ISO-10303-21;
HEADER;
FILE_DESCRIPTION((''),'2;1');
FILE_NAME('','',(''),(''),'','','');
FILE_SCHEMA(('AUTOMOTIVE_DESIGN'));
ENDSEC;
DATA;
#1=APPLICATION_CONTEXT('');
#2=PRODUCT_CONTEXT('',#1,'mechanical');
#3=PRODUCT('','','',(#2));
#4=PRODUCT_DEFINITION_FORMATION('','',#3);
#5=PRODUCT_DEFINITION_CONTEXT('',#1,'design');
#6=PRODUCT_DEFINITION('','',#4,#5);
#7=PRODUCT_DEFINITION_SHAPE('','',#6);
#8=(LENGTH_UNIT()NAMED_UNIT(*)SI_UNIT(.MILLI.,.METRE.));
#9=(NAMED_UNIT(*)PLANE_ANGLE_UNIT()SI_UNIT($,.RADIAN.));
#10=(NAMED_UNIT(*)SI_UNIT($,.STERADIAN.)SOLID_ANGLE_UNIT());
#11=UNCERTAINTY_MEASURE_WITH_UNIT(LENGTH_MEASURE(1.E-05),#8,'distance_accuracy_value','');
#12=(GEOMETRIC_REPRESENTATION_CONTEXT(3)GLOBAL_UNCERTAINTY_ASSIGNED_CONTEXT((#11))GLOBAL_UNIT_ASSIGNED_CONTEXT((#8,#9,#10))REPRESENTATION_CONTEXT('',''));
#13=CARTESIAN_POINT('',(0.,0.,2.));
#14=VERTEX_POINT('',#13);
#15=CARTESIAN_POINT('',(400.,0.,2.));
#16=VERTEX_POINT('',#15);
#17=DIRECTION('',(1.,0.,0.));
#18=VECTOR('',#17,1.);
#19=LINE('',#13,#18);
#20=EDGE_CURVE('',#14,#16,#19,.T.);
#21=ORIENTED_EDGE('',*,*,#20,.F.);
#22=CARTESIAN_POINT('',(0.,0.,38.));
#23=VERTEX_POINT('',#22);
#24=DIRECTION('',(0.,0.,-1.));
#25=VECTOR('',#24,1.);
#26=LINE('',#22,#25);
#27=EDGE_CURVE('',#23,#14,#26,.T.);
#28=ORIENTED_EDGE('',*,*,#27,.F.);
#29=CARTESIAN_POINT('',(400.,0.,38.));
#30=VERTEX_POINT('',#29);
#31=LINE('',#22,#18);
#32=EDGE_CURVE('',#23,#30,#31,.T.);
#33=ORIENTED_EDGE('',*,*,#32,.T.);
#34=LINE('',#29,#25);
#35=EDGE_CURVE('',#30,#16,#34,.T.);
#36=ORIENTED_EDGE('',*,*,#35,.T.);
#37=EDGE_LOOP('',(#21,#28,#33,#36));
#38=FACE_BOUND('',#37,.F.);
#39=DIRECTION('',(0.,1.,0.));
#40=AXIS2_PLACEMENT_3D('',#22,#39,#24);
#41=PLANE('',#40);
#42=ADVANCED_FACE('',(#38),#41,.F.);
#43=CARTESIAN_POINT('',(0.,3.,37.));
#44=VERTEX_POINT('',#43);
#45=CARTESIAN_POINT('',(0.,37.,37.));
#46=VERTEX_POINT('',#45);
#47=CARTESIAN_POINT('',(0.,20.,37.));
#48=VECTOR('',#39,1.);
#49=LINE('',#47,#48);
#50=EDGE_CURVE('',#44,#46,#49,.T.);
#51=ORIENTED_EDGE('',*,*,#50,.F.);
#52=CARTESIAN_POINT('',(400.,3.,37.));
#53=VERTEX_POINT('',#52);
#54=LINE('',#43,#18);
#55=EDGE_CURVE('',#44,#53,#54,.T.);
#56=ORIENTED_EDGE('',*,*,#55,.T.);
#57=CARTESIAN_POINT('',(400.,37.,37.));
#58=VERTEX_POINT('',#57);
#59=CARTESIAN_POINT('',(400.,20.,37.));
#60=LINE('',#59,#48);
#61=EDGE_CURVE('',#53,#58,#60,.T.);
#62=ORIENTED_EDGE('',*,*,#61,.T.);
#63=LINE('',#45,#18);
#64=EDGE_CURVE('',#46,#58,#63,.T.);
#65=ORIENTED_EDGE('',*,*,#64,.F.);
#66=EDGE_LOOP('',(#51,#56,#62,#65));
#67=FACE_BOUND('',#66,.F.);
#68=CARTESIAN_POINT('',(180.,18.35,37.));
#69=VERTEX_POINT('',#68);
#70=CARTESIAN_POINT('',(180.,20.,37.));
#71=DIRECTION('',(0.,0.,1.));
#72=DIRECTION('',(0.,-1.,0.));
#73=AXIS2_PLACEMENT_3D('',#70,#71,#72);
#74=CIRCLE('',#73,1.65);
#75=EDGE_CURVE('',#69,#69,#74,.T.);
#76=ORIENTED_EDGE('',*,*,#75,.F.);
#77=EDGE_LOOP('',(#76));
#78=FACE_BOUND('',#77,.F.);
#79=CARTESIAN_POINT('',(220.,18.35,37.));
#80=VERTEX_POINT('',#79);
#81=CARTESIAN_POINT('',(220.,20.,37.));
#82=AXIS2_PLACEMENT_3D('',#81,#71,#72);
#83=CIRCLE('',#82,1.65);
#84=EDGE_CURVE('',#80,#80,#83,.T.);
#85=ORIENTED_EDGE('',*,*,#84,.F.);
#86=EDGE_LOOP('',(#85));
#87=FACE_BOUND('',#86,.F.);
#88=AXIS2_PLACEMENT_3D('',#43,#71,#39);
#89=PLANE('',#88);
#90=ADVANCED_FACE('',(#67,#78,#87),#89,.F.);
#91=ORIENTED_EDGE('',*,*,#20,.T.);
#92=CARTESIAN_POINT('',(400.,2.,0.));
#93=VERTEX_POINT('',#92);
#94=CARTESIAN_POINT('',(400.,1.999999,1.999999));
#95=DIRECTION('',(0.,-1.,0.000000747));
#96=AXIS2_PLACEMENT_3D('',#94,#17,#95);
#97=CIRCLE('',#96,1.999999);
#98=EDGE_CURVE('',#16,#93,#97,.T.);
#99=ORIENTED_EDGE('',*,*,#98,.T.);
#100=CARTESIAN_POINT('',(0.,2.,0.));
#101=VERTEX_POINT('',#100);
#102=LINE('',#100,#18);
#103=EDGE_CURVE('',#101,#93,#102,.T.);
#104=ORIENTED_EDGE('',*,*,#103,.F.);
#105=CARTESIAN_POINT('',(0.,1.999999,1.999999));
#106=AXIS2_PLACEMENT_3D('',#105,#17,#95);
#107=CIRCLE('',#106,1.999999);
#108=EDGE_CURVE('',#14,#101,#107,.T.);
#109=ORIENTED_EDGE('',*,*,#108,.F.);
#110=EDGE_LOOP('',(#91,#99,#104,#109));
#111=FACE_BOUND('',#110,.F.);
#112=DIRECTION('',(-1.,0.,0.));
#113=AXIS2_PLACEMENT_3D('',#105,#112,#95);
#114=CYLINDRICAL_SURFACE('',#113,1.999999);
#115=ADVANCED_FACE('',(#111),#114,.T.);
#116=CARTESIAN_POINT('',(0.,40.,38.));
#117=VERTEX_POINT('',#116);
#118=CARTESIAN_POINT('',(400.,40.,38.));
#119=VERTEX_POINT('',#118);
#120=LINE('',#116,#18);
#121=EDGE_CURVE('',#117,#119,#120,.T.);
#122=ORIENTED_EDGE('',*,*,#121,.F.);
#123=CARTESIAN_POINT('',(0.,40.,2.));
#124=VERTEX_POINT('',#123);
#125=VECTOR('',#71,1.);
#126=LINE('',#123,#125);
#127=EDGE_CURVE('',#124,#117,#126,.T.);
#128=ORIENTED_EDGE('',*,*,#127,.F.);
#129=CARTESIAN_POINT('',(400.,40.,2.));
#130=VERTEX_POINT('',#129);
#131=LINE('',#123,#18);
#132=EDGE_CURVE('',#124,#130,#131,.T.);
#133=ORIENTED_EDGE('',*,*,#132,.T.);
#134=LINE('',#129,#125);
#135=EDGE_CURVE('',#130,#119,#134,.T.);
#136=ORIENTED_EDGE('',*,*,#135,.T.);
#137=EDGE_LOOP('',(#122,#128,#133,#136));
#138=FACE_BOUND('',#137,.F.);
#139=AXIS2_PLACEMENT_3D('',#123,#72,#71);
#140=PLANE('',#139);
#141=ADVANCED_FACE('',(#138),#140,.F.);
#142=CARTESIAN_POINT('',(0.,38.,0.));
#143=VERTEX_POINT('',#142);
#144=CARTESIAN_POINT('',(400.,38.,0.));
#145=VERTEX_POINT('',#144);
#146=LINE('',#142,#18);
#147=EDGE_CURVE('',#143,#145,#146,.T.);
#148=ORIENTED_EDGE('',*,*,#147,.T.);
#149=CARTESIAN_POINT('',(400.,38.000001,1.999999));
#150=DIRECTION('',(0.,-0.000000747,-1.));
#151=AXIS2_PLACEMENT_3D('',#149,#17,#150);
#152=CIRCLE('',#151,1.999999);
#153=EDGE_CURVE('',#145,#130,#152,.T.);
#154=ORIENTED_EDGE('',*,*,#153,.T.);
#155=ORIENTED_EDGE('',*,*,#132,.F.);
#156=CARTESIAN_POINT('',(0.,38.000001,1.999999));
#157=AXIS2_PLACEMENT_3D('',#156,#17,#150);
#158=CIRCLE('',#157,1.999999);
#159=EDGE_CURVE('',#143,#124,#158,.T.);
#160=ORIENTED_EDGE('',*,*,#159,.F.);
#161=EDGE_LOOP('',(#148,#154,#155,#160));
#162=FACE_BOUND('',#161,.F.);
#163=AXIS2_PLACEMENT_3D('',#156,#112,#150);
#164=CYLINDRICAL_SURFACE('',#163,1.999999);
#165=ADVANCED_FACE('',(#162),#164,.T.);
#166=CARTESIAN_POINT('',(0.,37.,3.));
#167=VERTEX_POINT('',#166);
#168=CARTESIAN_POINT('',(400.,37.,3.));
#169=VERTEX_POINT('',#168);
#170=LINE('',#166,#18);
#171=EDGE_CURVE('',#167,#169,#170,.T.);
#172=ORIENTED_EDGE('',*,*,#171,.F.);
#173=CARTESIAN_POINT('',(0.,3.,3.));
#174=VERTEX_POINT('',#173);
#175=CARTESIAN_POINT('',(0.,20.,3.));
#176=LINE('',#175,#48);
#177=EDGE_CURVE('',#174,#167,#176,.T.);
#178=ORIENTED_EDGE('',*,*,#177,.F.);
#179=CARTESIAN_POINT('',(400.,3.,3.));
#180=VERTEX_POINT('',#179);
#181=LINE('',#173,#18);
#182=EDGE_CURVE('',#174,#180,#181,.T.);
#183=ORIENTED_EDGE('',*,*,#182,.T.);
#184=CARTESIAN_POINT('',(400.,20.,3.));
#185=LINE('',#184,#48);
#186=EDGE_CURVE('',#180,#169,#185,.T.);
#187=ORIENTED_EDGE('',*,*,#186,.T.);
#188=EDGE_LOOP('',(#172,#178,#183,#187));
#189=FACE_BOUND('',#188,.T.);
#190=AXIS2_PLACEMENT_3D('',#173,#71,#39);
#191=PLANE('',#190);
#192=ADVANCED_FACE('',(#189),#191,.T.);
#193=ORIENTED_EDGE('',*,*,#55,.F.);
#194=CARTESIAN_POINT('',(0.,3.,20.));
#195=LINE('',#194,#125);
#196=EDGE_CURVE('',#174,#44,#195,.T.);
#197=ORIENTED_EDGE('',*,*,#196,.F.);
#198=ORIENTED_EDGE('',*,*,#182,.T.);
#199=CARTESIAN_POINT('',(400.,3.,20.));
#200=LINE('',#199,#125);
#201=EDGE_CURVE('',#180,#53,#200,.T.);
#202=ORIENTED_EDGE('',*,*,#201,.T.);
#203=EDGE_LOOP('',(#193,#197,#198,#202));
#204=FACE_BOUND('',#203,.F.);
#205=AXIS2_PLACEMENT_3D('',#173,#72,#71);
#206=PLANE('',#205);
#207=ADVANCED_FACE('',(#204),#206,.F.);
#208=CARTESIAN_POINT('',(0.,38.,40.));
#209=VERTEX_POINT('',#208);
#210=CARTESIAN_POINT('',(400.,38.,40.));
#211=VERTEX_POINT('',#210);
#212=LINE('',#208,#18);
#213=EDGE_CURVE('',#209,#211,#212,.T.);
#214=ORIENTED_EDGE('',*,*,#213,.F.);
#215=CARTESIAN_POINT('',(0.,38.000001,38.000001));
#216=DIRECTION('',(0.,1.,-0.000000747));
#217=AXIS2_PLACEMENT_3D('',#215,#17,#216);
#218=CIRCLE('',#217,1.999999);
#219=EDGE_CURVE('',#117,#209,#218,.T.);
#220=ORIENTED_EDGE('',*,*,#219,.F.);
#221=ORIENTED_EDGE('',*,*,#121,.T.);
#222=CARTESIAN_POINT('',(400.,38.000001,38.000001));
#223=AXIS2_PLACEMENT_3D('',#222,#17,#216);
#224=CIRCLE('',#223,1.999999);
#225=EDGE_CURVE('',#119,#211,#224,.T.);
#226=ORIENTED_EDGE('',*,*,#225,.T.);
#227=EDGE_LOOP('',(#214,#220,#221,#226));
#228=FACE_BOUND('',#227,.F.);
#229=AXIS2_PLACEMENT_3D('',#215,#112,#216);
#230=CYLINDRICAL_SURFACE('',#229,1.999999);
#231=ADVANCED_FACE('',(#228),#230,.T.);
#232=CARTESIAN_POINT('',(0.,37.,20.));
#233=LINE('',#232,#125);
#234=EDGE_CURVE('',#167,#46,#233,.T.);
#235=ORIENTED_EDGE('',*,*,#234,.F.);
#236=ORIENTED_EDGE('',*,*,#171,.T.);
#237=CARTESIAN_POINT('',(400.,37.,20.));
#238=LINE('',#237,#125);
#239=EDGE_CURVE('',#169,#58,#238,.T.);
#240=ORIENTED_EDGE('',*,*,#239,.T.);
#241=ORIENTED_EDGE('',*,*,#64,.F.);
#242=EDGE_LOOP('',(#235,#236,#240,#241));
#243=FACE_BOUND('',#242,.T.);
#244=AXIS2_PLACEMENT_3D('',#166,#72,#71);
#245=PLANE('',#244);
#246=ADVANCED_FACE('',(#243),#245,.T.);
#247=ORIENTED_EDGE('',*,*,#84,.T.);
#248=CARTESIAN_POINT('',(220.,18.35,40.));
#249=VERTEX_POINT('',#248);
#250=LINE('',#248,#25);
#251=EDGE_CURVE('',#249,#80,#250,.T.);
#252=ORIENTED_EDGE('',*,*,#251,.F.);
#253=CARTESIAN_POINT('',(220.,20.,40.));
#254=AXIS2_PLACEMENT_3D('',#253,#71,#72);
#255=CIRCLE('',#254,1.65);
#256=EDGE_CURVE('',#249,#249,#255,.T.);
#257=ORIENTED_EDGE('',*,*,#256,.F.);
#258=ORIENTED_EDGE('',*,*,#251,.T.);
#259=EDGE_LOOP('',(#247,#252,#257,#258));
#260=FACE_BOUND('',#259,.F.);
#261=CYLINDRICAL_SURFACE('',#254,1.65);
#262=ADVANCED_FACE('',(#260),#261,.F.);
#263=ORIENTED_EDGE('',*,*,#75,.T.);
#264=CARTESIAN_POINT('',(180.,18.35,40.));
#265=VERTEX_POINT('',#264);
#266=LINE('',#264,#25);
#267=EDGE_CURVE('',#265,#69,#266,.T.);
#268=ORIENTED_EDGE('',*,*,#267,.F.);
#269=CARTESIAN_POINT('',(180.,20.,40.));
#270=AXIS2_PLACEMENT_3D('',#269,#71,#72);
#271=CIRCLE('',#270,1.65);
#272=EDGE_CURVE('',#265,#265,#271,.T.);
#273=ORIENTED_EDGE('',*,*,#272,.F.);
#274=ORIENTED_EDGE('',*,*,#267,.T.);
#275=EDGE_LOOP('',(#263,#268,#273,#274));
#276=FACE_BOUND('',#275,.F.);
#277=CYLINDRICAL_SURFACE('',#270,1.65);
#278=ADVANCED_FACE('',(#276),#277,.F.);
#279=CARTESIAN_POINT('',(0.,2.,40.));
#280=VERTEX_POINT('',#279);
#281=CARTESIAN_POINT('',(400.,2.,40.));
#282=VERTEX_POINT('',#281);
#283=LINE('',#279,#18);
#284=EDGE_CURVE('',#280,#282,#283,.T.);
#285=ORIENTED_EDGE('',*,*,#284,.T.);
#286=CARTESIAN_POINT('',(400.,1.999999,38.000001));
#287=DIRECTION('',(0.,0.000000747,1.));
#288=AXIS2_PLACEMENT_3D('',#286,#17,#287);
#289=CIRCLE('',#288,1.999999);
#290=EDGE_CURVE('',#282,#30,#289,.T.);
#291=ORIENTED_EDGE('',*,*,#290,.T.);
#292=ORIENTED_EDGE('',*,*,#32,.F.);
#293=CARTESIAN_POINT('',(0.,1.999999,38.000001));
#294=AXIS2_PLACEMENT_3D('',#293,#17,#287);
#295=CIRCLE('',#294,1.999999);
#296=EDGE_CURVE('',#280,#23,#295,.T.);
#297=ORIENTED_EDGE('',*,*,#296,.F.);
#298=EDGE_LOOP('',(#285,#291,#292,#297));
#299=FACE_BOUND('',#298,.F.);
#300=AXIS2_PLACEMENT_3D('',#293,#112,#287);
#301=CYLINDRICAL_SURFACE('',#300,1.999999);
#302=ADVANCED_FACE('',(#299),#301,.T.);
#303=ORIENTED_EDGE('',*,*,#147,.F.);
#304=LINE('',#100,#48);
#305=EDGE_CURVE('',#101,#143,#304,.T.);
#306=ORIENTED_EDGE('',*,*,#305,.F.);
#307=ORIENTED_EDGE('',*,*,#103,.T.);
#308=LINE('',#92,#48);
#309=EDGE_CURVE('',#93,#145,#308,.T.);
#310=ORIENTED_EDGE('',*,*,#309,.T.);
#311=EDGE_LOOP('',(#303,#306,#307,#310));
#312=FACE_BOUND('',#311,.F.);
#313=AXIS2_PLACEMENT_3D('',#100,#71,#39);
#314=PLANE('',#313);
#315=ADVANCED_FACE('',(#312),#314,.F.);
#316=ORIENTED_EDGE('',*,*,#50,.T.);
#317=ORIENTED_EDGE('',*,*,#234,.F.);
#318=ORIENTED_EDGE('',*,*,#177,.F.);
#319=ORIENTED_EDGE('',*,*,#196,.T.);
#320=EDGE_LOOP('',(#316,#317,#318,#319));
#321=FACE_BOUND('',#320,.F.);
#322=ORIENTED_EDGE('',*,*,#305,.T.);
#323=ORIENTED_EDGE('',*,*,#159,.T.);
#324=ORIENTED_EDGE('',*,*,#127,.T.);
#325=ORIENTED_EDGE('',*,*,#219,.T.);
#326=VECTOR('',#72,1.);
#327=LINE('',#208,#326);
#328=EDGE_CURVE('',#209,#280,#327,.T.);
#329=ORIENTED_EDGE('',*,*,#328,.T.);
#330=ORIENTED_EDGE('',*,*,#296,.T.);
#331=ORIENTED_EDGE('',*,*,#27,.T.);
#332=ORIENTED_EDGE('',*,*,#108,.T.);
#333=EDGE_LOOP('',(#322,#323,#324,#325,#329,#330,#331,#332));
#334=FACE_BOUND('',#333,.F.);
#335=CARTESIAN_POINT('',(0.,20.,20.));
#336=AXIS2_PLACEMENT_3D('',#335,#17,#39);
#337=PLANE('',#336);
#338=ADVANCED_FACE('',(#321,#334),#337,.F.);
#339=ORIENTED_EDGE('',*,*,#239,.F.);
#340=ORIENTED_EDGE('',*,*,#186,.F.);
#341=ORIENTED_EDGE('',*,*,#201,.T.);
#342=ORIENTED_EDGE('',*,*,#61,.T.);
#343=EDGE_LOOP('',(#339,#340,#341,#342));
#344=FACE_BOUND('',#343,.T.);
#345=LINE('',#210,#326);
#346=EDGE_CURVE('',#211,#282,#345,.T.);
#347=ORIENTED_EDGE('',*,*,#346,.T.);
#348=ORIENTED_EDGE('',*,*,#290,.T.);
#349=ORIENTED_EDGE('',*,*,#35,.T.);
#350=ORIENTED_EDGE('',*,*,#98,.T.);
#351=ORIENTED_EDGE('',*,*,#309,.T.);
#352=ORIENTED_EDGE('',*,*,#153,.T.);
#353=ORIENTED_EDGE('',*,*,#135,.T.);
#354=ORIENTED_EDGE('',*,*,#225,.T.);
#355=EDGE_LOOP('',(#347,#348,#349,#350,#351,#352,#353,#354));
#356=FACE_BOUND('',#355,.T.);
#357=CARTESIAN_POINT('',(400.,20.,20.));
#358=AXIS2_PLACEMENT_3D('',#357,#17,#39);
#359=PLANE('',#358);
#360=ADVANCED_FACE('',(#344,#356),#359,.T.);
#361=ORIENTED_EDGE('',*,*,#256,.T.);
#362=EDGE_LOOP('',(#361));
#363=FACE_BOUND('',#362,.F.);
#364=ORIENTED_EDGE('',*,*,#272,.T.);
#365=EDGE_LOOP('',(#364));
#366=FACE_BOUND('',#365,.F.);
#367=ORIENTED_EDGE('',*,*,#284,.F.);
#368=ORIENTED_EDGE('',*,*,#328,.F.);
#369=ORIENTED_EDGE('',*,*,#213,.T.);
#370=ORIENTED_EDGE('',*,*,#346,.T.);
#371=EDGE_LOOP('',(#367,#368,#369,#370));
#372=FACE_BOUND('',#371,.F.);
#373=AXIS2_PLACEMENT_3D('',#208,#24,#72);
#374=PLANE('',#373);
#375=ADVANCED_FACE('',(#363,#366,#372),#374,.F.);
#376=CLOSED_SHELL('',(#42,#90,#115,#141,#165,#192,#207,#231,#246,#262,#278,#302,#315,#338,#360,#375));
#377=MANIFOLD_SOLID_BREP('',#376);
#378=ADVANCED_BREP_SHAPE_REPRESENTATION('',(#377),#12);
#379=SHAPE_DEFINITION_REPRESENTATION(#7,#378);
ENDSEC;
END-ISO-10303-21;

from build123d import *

# Parameters (mm, degrees)
SKETCH_W    = 34
SKETCH_H    = 34
PAD_DEPTH   = 400
SKETCH001_R = 1.65
HOLE_DEPTH  = 25
HOLE_TIPS_R = 1.65


with BuildPart() as part:
    # Sketch → Pad (new body)
    with BuildSketch(Plane.YZ):
        with BuildLine():
            Line((2, 0), (38, 0))
            ThreePointArc((38, 0), (39.414214, 0.585786), (40, 2))
            Line((40, 2), (40, 38))
            ThreePointArc((40, 38), (39.414214, 39.414214), (38, 40))
            Line((38, 40), (2, 40))
            ThreePointArc((2, 40), (0.585786, 39.414214), (0, 38))
            Line((0, 38), (0, 2))
            ThreePointArc((0, 2), (0.585786, 0.585786), (2, 0))
        make_face()
        with Locations((20, 20)):
            Rectangle(SKETCH_W, SKETCH_H, mode=Mode.SUBTRACT)
    extrude(amount=PAD_DEPTH)

    # Sketch001 (on Face5 of Pad) → Hole (cut)
    with BuildSketch(Plane(origin=(0, 0, 40), x_dir=(0, -1, 0), z_dir=(0, 0, 1))):
        with Locations((-20, 180)):
            Circle(SKETCH001_R)
        with Locations((-20, 220)):
            Circle(SKETCH001_R)
    extrude(amount=-HOLE_DEPTH, mode=Mode.SUBTRACT)

    # Hole tips → Hole tip 1 section 0
    with BuildSketch(Plane(origin=(0, 0, 15), x_dir=(0, -1, 0), z_dir=(0, 0, 1)), mode=Mode.PRIVATE) as hole_tip_1_s0:
        with Locations((-20, 180)):
            Circle(HOLE_TIPS_R)
    loft([hole_tip_1_s0.sketch, Vertex(180, 20, 14.00858)], mode=Mode.SUBTRACT)

    # Hole tips → Hole tip 2 section 0
    with BuildSketch(Plane(origin=(0, 0, 15), x_dir=(0, -1, 0), z_dir=(0, 0, 1)), mode=Mode.PRIVATE) as hole_tip_2_s0:
        with Locations((-20, 220)):
            Circle(HOLE_TIPS_R)
    loft([hole_tip_2_s0.sketch, Vertex(220, 20, 14.00858)], mode=Mode.SUBTRACT)


solid = part.part
